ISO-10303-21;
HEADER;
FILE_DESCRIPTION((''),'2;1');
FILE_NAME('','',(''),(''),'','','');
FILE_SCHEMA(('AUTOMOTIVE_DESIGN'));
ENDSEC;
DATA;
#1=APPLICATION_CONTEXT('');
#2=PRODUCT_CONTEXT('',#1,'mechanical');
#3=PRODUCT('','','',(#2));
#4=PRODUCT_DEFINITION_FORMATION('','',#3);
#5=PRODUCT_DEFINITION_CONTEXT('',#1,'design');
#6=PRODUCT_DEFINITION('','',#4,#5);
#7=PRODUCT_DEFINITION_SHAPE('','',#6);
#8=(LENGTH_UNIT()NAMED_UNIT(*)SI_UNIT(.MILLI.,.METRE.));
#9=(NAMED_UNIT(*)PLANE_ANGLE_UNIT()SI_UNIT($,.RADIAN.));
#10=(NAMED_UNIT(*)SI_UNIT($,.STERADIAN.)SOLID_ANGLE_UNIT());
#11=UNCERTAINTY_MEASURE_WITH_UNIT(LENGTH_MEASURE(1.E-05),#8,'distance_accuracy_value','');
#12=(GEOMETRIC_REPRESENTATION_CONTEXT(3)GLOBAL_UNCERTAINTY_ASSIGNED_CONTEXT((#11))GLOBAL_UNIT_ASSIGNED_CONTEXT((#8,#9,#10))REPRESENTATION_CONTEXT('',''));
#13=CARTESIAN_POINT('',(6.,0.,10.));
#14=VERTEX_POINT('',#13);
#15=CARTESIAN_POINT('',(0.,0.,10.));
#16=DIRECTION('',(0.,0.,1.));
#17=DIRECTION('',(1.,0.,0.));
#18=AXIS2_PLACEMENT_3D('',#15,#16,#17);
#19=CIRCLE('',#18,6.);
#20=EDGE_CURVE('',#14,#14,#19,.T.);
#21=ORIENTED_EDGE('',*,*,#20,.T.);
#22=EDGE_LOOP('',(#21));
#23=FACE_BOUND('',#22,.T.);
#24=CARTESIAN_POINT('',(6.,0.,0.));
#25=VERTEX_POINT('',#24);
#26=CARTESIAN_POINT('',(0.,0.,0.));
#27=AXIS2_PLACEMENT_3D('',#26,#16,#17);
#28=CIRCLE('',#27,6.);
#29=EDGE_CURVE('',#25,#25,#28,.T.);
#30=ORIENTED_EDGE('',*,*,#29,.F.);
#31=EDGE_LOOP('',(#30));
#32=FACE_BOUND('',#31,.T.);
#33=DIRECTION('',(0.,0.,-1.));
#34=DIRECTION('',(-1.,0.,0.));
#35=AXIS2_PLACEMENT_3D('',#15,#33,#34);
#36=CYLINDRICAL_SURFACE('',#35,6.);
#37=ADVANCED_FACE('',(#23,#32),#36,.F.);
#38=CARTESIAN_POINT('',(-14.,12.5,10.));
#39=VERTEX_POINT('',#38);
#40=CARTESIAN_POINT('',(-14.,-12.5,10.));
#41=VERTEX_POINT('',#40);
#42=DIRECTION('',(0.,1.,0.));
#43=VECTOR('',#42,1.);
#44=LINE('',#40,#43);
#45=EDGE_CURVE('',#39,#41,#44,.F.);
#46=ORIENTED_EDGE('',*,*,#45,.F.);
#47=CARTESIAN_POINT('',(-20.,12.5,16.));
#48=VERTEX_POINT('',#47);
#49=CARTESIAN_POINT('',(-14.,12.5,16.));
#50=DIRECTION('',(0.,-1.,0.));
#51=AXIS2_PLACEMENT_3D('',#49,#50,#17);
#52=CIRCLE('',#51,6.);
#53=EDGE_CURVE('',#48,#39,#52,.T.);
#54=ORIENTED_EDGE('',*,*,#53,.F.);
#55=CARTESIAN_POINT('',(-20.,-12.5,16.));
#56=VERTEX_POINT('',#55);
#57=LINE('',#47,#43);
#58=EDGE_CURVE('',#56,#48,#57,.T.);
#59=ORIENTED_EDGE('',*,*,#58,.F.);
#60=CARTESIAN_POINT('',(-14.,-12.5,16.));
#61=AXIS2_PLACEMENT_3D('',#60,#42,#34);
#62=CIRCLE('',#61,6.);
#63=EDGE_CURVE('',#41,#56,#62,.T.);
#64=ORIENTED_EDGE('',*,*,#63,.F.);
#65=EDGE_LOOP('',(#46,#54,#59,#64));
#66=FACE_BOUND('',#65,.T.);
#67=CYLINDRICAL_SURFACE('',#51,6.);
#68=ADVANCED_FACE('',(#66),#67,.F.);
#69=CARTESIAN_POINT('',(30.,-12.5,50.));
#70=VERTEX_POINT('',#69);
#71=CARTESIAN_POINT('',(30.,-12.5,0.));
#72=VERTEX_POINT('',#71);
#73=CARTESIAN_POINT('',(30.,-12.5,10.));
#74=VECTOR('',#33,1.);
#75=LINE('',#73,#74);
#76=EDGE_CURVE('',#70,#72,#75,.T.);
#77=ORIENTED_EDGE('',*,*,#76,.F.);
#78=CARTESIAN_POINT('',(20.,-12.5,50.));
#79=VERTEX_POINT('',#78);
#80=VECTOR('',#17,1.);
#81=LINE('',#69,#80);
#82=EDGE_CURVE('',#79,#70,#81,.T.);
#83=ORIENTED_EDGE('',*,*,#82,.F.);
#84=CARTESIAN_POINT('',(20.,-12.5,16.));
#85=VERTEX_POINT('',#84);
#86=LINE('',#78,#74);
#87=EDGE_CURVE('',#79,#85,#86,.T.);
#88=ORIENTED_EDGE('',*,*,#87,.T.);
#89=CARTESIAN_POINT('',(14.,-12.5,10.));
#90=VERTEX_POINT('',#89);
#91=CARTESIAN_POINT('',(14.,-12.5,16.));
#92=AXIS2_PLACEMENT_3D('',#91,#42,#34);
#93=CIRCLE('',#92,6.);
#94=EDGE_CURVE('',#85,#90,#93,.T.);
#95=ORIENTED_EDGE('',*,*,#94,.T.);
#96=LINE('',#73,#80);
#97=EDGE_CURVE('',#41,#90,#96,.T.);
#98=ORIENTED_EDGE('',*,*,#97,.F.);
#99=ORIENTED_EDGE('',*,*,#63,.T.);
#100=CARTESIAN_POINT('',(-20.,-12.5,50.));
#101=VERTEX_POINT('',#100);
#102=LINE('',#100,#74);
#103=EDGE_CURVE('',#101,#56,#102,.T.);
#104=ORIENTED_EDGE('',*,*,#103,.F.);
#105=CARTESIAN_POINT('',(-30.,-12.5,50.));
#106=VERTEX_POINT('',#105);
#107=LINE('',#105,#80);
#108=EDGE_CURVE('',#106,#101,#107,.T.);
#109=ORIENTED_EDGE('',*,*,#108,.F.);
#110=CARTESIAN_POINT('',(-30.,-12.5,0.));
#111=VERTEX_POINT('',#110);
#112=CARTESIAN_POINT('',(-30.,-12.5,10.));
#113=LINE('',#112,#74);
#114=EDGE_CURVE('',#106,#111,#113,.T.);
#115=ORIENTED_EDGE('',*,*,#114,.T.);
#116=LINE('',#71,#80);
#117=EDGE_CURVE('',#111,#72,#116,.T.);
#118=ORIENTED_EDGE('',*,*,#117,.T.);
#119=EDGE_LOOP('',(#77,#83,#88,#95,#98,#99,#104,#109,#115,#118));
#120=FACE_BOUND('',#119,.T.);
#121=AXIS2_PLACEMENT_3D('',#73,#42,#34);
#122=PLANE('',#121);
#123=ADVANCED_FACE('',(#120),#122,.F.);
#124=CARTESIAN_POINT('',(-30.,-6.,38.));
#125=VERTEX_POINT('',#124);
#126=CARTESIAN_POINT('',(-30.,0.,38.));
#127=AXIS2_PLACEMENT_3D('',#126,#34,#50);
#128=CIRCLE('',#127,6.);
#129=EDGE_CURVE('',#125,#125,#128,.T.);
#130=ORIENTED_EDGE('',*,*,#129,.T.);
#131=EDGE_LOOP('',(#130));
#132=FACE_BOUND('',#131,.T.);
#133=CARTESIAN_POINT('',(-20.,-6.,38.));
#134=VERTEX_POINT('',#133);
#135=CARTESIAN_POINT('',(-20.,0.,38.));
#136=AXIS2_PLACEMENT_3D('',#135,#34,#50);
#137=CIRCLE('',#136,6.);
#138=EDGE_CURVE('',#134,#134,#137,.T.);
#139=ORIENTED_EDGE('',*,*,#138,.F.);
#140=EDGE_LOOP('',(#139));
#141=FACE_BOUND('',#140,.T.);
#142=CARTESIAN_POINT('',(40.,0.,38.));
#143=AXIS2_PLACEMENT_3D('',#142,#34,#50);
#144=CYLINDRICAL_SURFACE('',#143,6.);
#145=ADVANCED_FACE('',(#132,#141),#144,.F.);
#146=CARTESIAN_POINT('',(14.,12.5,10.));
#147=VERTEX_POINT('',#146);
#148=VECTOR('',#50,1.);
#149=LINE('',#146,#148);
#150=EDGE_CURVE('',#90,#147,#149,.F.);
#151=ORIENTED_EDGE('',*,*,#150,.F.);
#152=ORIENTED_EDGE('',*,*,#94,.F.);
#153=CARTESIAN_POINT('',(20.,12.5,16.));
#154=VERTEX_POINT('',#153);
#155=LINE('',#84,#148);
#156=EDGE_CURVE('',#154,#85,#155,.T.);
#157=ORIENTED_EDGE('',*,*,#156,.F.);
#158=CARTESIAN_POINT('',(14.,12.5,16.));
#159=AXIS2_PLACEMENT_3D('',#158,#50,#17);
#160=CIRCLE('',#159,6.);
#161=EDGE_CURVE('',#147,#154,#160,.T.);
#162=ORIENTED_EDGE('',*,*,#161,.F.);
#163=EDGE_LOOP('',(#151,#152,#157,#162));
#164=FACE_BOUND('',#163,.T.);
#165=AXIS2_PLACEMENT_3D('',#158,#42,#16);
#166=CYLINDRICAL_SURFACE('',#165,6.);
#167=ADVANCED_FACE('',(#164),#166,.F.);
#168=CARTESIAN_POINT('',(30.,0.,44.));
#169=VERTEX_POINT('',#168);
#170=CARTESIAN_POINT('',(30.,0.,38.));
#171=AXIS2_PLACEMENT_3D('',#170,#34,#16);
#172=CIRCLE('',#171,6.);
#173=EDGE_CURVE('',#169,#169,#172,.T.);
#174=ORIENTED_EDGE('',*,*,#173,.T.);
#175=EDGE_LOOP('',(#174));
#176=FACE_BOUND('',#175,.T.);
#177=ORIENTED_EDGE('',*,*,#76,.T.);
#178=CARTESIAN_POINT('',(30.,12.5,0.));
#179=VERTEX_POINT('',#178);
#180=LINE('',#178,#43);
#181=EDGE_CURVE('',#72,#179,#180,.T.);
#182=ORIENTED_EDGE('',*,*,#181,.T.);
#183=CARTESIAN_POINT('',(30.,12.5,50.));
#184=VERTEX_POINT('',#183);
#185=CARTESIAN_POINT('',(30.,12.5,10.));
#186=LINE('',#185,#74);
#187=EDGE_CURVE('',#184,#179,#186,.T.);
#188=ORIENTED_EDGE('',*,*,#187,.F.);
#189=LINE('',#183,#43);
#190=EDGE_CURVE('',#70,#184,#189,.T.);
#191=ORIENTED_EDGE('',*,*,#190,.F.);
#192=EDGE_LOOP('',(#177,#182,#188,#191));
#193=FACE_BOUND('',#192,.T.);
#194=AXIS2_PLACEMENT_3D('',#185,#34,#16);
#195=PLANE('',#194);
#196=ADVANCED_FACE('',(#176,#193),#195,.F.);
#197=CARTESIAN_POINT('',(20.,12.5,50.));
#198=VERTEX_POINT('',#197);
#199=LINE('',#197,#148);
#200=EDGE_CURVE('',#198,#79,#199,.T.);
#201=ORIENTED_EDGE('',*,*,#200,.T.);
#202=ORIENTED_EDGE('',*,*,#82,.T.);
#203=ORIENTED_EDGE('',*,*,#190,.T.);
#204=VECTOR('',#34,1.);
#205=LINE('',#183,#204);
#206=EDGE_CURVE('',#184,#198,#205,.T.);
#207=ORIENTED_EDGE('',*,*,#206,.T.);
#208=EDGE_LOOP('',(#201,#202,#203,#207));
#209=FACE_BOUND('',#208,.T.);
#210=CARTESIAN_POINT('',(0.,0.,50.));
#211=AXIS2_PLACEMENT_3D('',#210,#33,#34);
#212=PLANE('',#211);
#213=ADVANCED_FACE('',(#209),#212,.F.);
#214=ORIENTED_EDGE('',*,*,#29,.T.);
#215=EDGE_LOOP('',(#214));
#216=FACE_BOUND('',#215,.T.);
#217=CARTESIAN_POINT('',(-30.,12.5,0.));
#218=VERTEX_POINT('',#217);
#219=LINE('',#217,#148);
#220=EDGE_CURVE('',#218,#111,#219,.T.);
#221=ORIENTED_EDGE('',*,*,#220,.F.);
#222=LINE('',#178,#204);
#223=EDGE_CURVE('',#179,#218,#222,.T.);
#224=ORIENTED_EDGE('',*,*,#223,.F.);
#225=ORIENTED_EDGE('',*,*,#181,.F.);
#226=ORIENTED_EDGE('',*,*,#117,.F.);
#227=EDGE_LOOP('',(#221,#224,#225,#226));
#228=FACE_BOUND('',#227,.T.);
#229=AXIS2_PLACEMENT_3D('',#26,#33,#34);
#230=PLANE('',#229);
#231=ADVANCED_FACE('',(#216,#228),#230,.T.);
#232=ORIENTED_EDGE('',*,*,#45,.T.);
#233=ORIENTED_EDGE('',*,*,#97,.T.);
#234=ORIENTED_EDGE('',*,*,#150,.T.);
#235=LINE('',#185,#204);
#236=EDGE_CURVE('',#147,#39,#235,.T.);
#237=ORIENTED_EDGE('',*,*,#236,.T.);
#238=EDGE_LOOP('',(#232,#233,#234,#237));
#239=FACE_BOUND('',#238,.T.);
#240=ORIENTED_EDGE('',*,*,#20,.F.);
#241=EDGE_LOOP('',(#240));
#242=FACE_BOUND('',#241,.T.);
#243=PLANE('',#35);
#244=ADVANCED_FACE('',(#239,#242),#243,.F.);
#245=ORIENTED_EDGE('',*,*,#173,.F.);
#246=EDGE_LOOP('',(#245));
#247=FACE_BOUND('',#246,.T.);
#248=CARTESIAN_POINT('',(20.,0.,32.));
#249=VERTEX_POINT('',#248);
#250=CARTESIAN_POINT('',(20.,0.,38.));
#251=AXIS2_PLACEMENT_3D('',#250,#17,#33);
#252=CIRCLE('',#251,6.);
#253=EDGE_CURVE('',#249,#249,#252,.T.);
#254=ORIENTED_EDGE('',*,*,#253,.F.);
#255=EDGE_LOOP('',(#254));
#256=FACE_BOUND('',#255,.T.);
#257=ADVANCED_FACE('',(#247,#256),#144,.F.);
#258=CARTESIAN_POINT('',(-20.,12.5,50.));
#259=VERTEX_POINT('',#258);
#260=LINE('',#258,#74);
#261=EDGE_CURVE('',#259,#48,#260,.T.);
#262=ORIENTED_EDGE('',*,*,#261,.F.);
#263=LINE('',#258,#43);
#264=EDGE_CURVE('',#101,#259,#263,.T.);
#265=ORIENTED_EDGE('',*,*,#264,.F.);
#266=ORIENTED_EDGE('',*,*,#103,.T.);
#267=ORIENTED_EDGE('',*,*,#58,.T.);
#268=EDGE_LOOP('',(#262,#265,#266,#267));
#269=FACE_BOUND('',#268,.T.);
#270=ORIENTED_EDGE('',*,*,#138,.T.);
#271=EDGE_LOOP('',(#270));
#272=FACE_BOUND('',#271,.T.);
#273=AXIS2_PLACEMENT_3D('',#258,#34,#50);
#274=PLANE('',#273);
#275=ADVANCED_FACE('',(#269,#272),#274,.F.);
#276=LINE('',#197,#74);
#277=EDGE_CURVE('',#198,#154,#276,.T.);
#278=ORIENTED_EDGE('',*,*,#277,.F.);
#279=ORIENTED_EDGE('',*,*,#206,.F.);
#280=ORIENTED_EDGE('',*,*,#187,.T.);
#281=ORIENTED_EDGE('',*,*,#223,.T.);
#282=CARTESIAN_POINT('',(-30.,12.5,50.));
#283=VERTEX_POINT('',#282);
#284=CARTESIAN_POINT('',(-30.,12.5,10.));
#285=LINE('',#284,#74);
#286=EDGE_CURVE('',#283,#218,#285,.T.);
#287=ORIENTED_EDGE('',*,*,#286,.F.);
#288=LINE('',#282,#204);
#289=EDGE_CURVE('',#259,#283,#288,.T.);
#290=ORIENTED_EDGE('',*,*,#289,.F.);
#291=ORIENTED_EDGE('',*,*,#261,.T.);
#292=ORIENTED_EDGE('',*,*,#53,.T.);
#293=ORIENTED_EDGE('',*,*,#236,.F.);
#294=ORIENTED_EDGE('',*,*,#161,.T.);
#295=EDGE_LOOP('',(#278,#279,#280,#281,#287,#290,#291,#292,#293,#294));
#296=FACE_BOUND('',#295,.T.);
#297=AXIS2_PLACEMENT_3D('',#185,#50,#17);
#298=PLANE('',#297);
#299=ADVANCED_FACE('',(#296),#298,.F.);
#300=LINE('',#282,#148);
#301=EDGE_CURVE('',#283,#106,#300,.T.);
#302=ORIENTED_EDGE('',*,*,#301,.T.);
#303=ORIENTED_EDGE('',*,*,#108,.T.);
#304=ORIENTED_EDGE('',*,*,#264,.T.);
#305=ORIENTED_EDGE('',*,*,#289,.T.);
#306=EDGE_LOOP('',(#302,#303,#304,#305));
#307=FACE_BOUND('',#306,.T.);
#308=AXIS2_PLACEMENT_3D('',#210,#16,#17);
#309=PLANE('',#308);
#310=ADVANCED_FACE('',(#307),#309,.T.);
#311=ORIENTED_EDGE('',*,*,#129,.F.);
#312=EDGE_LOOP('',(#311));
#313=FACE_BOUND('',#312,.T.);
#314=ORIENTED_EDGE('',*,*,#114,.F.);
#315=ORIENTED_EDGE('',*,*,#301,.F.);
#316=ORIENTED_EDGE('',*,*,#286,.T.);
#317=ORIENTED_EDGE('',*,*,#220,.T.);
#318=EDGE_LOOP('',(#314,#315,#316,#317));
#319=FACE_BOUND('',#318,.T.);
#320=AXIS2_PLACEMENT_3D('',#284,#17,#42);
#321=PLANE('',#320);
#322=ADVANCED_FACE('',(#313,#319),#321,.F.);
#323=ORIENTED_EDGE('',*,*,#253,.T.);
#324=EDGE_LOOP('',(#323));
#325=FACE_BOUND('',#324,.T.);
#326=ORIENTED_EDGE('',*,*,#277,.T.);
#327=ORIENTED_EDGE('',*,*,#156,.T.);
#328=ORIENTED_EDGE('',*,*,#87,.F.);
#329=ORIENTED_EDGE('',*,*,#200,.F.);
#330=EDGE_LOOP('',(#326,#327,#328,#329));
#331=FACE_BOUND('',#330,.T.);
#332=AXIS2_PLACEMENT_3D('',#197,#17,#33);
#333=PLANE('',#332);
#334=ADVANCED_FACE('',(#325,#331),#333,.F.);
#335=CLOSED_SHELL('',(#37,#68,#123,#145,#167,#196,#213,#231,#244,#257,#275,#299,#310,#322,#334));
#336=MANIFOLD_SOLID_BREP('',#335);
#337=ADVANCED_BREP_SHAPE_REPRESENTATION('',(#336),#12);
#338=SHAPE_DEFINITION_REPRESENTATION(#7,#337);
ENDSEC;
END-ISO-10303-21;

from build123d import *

# Parameters (mm, degrees)
SZKIC1_W                    = 60
SZKIC1_H                    = 25
SZKIC1_R                    = 6
DODANIE_WYCI_GNI_CIE1_DEPTH = 10
SZKIC2_W                    = 10
SZKIC2_H                    = 25
DODANIE_WYCI_GNI_CIE2_DEPTH = 40
ZAOKR_GLENIE1_R             = 6
SZKIC3_R                    = 6
WYTNIJ_WYCI_GNI_CIE1_DEPTH  = 70


with BuildPart() as part:
    # Szkic1 → Dodanie-wyciągnięcie1 (new body)
    with BuildSketch(Plane.XY):
        Rectangle(SZKIC1_W, SZKIC1_H)
        Circle(SZKIC1_R, mode=Mode.SUBTRACT)
    extrude(amount=DODANIE_WYCI_GNI_CIE1_DEPTH)

    # Szkic2 → Dodanie-wyciągnięcie2 (add)
    with BuildSketch(Plane.XY.offset(10)):
        with Locations((-25, 0)):
            Rectangle(SZKIC2_W, SZKIC2_H)
        with Locations((25, 0)):
            Rectangle(SZKIC2_W, SZKIC2_H)
    extrude(amount=DODANIE_WYCI_GNI_CIE2_DEPTH)

    # Zaokrąglenie1
    zaokr_glenie1_edges = [part.edges().sort_by_distance(p)[0] for p in [
        (-20, 0, 10),
        (20, 0, 10),
    ]]
    fillet(zaokr_glenie1_edges, radius=ZAOKR_GLENIE1_R)

    # Szkic3 → Wytnij-wyciągnięcie1 (cut)
    with BuildSketch(Plane.ZY.offset(30)):
        with Locations(Location((38, 0, 0), (0, 0, 180))):
            Circle(SZKIC3_R)
    extrude(amount=-WYTNIJ_WYCI_GNI_CIE1_DEPTH, mode=Mode.SUBTRACT)


solid = part.part
